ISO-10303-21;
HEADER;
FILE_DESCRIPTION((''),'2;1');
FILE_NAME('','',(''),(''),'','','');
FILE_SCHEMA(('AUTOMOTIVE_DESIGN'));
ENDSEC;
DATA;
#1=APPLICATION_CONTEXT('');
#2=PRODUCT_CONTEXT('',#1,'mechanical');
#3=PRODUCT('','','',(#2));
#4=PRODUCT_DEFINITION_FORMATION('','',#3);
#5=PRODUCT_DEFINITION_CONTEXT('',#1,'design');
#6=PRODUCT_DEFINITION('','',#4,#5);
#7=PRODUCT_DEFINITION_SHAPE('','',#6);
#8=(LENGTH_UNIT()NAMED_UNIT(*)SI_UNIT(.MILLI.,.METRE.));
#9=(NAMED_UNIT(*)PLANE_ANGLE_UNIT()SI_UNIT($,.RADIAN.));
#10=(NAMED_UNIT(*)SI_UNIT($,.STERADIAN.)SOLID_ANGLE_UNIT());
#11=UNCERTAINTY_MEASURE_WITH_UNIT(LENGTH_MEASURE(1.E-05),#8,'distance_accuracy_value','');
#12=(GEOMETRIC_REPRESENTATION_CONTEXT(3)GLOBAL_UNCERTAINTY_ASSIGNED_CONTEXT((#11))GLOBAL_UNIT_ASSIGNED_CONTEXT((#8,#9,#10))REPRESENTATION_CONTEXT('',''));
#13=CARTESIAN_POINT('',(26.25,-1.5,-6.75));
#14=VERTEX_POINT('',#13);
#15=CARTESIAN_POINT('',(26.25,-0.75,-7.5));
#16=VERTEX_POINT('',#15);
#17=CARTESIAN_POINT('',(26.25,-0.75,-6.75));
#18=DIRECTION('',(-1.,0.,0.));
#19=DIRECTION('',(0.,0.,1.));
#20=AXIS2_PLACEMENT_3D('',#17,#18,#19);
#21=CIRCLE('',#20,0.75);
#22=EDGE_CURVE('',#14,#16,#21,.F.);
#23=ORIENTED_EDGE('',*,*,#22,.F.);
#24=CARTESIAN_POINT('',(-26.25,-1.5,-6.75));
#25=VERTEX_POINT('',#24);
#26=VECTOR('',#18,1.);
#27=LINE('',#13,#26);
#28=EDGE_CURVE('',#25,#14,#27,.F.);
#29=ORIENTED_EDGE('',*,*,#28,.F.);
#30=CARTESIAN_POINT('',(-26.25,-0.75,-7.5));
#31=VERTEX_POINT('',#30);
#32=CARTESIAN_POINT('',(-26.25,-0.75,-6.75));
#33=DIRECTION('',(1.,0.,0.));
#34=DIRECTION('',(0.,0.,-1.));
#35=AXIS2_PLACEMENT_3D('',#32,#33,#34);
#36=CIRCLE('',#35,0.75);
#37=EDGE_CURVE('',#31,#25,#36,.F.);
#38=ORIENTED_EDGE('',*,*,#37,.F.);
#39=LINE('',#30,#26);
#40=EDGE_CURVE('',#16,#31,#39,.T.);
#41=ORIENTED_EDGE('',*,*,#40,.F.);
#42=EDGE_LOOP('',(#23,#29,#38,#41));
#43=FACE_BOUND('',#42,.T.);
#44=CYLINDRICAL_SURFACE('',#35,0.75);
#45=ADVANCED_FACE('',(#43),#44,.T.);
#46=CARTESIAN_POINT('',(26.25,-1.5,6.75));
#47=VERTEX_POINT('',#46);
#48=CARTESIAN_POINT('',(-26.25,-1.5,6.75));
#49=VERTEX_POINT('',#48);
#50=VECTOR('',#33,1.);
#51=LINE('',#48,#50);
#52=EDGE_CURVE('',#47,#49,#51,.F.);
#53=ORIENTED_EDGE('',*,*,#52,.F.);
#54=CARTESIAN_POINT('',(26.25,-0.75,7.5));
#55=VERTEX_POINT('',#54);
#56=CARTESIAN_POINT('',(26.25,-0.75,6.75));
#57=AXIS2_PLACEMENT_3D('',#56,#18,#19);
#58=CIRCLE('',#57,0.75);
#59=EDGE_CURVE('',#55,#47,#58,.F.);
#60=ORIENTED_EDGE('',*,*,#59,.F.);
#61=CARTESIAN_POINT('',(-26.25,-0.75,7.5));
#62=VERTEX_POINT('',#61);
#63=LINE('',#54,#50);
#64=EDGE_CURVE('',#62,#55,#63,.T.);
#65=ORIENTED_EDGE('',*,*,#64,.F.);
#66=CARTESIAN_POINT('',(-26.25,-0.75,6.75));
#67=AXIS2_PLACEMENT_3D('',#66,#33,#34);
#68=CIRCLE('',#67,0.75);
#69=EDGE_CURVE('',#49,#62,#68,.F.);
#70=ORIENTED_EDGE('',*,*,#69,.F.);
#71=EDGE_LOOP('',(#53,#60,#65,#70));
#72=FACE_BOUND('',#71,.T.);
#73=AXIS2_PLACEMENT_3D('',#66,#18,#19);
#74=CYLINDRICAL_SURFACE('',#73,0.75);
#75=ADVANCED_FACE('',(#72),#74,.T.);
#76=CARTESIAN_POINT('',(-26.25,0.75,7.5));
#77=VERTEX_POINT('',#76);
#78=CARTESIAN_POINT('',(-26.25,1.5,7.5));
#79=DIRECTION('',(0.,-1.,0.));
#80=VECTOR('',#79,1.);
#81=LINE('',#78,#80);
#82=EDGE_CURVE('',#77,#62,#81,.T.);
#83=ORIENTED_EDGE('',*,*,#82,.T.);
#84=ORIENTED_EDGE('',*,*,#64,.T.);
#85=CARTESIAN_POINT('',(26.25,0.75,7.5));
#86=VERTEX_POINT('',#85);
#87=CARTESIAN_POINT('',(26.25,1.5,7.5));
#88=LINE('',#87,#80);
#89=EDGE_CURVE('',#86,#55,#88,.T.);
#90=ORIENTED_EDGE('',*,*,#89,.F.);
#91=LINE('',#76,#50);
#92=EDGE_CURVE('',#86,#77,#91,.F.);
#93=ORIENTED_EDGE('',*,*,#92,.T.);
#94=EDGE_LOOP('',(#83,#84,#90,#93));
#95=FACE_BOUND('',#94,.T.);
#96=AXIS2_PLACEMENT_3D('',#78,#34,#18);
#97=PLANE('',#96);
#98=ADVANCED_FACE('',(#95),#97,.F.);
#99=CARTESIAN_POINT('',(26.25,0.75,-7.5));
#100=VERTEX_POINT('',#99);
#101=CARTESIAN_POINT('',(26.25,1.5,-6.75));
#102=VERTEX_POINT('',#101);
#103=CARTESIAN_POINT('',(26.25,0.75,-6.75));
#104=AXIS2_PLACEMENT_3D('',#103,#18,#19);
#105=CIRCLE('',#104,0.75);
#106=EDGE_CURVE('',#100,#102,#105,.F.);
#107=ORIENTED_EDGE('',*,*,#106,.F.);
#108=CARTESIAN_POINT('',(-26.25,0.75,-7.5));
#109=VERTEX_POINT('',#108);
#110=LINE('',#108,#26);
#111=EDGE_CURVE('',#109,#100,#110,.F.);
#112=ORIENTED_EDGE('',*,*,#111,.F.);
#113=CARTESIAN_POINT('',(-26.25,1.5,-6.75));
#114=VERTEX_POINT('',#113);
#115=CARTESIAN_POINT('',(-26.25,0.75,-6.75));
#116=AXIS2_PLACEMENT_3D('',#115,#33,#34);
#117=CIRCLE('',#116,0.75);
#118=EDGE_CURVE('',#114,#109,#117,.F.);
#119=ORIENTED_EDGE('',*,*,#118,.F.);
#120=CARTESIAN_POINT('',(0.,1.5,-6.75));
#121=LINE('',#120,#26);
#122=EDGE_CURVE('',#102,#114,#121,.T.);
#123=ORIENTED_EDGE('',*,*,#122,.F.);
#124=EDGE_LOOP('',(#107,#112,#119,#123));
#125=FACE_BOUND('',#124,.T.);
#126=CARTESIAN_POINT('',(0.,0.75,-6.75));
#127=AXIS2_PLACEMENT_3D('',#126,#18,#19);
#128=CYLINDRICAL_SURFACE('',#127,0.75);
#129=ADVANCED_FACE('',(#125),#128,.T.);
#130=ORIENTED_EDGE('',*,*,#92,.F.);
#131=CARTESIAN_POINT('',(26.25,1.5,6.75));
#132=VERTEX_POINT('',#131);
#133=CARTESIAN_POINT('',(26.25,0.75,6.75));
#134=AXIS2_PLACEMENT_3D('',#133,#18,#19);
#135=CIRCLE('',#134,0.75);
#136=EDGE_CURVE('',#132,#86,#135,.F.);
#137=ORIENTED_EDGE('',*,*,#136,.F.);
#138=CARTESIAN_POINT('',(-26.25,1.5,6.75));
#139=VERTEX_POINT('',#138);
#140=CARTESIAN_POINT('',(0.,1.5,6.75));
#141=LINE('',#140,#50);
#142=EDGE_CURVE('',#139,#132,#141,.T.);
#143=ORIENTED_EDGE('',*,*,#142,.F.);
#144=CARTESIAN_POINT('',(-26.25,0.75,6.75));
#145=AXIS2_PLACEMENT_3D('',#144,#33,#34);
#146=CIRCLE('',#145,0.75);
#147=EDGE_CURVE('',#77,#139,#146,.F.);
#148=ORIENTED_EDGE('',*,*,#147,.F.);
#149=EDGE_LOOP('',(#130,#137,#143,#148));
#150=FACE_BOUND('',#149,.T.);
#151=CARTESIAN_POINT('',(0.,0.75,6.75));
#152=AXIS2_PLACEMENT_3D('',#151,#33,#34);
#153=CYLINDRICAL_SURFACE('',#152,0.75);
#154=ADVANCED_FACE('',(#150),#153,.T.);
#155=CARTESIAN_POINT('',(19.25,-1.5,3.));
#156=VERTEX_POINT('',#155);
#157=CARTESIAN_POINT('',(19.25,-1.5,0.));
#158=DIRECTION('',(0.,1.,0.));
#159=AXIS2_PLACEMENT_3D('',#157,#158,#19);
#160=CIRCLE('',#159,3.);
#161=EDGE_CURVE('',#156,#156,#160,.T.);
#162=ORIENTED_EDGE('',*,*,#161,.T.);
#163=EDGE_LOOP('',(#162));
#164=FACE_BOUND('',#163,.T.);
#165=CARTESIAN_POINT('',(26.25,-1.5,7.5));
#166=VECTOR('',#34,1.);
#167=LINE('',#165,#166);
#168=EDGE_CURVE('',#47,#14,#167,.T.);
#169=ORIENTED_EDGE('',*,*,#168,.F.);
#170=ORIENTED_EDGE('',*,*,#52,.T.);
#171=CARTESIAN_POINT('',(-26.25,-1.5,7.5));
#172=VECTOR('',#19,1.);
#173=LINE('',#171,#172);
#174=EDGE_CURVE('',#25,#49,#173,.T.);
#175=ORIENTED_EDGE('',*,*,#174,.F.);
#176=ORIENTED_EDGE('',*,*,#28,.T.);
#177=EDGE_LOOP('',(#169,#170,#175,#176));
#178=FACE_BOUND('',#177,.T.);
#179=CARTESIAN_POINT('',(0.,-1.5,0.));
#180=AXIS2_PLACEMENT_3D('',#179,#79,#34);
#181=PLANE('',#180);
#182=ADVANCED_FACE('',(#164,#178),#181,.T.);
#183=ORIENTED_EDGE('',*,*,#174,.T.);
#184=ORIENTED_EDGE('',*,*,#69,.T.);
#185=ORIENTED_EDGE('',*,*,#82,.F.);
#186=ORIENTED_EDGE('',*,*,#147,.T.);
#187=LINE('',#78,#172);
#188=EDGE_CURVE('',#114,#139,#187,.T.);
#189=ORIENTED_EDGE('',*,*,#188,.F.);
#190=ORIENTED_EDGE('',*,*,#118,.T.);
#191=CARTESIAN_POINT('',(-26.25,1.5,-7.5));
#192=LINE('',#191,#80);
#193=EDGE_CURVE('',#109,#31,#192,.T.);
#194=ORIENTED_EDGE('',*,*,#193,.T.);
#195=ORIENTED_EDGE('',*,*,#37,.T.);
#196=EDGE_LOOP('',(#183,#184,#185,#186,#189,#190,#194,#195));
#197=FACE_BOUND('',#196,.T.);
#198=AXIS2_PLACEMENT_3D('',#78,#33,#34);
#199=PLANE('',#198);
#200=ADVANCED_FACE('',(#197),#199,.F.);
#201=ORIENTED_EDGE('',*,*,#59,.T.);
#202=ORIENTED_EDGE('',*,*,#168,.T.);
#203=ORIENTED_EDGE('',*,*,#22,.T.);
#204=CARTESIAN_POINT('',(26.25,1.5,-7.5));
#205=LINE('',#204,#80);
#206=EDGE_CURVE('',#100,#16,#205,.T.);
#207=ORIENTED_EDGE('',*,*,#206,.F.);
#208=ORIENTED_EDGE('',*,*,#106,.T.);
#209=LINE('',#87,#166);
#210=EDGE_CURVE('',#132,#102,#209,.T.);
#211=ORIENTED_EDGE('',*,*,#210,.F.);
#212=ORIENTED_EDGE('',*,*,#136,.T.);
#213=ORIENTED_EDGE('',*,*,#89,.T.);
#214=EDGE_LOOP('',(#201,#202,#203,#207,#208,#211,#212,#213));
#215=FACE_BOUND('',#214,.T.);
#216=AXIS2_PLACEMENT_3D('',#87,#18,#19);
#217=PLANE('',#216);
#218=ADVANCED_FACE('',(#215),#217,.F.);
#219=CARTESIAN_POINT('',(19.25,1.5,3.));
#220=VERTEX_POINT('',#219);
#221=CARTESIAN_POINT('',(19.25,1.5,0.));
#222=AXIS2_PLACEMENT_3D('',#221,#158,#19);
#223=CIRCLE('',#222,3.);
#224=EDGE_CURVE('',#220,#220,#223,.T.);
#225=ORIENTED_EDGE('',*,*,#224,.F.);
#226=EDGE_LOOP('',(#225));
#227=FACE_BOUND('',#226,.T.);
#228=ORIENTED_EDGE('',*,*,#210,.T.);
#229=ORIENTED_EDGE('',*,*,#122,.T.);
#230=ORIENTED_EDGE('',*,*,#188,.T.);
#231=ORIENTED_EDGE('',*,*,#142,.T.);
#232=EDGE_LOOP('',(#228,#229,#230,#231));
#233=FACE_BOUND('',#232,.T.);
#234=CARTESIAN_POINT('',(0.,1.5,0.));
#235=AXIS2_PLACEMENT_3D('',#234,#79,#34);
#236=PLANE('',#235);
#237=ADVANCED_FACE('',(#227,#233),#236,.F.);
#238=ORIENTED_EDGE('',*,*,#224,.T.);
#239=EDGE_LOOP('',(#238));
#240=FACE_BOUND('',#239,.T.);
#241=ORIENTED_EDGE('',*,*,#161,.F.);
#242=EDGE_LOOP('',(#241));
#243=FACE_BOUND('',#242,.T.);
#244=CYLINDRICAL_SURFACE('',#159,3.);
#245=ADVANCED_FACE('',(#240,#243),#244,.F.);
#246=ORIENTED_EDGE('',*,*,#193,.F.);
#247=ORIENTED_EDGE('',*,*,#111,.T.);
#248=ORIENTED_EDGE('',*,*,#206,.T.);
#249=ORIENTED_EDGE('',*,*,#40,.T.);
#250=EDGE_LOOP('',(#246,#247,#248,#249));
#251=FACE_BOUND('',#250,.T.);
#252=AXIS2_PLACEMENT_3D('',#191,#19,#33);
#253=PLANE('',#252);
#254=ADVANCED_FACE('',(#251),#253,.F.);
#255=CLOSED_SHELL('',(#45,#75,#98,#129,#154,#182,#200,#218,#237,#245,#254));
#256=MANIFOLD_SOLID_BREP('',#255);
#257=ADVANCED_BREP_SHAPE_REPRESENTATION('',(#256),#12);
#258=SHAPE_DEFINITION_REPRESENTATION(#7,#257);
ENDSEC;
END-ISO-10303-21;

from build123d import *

# Parameters (mm, degrees)
SKETCH_1_W          = 52.5
SKETCH_1_H          = 15
EXTRUDE_1_DEPTH     = 1.5
FILLET_1_R          = 0.75
SKETCH_2_R          = 3
CUT_EXTRUDE_1_DEPTH = 3


with BuildPart() as part:
    # ｽｹｯﾁ1 → ﾎﾞｽ - 押し出し1 (new, symmetric)
    with BuildSketch(Plane(origin=(0, 0, 0), x_dir=(1, 0, 0), z_dir=(0, 1, 0))):
        Rectangle(SKETCH_1_W, SKETCH_1_H)
    extrude(amount=EXTRUDE_1_DEPTH, both=True)

    # ﾌｨﾚｯﾄ1
    fillet_1_edges = [part.edges().sort_by_distance(p)[0] for p in [
        (0, 1.5, 7.5),
        (0, -1.5, 7.5),
        (0, -1.5, -7.5),
        (0, 1.5, -7.5),
    ]]
    fillet(fillet_1_edges, radius=FILLET_1_R)

    # ｽｹｯﾁ2 → ｶｯﾄ - 押し出し1 (cut)
    with BuildSketch(Plane(origin=(0, 1.5, 0), x_dir=(1, 0, 0), z_dir=(0, 1, 0))):
        with Locations(Location((19.25, 0, 0), (0, 0, 270))):
            Circle(SKETCH_2_R)
    extrude(amount=-CUT_EXTRUDE_1_DEPTH, mode=Mode.SUBTRACT)


solid = part.part
